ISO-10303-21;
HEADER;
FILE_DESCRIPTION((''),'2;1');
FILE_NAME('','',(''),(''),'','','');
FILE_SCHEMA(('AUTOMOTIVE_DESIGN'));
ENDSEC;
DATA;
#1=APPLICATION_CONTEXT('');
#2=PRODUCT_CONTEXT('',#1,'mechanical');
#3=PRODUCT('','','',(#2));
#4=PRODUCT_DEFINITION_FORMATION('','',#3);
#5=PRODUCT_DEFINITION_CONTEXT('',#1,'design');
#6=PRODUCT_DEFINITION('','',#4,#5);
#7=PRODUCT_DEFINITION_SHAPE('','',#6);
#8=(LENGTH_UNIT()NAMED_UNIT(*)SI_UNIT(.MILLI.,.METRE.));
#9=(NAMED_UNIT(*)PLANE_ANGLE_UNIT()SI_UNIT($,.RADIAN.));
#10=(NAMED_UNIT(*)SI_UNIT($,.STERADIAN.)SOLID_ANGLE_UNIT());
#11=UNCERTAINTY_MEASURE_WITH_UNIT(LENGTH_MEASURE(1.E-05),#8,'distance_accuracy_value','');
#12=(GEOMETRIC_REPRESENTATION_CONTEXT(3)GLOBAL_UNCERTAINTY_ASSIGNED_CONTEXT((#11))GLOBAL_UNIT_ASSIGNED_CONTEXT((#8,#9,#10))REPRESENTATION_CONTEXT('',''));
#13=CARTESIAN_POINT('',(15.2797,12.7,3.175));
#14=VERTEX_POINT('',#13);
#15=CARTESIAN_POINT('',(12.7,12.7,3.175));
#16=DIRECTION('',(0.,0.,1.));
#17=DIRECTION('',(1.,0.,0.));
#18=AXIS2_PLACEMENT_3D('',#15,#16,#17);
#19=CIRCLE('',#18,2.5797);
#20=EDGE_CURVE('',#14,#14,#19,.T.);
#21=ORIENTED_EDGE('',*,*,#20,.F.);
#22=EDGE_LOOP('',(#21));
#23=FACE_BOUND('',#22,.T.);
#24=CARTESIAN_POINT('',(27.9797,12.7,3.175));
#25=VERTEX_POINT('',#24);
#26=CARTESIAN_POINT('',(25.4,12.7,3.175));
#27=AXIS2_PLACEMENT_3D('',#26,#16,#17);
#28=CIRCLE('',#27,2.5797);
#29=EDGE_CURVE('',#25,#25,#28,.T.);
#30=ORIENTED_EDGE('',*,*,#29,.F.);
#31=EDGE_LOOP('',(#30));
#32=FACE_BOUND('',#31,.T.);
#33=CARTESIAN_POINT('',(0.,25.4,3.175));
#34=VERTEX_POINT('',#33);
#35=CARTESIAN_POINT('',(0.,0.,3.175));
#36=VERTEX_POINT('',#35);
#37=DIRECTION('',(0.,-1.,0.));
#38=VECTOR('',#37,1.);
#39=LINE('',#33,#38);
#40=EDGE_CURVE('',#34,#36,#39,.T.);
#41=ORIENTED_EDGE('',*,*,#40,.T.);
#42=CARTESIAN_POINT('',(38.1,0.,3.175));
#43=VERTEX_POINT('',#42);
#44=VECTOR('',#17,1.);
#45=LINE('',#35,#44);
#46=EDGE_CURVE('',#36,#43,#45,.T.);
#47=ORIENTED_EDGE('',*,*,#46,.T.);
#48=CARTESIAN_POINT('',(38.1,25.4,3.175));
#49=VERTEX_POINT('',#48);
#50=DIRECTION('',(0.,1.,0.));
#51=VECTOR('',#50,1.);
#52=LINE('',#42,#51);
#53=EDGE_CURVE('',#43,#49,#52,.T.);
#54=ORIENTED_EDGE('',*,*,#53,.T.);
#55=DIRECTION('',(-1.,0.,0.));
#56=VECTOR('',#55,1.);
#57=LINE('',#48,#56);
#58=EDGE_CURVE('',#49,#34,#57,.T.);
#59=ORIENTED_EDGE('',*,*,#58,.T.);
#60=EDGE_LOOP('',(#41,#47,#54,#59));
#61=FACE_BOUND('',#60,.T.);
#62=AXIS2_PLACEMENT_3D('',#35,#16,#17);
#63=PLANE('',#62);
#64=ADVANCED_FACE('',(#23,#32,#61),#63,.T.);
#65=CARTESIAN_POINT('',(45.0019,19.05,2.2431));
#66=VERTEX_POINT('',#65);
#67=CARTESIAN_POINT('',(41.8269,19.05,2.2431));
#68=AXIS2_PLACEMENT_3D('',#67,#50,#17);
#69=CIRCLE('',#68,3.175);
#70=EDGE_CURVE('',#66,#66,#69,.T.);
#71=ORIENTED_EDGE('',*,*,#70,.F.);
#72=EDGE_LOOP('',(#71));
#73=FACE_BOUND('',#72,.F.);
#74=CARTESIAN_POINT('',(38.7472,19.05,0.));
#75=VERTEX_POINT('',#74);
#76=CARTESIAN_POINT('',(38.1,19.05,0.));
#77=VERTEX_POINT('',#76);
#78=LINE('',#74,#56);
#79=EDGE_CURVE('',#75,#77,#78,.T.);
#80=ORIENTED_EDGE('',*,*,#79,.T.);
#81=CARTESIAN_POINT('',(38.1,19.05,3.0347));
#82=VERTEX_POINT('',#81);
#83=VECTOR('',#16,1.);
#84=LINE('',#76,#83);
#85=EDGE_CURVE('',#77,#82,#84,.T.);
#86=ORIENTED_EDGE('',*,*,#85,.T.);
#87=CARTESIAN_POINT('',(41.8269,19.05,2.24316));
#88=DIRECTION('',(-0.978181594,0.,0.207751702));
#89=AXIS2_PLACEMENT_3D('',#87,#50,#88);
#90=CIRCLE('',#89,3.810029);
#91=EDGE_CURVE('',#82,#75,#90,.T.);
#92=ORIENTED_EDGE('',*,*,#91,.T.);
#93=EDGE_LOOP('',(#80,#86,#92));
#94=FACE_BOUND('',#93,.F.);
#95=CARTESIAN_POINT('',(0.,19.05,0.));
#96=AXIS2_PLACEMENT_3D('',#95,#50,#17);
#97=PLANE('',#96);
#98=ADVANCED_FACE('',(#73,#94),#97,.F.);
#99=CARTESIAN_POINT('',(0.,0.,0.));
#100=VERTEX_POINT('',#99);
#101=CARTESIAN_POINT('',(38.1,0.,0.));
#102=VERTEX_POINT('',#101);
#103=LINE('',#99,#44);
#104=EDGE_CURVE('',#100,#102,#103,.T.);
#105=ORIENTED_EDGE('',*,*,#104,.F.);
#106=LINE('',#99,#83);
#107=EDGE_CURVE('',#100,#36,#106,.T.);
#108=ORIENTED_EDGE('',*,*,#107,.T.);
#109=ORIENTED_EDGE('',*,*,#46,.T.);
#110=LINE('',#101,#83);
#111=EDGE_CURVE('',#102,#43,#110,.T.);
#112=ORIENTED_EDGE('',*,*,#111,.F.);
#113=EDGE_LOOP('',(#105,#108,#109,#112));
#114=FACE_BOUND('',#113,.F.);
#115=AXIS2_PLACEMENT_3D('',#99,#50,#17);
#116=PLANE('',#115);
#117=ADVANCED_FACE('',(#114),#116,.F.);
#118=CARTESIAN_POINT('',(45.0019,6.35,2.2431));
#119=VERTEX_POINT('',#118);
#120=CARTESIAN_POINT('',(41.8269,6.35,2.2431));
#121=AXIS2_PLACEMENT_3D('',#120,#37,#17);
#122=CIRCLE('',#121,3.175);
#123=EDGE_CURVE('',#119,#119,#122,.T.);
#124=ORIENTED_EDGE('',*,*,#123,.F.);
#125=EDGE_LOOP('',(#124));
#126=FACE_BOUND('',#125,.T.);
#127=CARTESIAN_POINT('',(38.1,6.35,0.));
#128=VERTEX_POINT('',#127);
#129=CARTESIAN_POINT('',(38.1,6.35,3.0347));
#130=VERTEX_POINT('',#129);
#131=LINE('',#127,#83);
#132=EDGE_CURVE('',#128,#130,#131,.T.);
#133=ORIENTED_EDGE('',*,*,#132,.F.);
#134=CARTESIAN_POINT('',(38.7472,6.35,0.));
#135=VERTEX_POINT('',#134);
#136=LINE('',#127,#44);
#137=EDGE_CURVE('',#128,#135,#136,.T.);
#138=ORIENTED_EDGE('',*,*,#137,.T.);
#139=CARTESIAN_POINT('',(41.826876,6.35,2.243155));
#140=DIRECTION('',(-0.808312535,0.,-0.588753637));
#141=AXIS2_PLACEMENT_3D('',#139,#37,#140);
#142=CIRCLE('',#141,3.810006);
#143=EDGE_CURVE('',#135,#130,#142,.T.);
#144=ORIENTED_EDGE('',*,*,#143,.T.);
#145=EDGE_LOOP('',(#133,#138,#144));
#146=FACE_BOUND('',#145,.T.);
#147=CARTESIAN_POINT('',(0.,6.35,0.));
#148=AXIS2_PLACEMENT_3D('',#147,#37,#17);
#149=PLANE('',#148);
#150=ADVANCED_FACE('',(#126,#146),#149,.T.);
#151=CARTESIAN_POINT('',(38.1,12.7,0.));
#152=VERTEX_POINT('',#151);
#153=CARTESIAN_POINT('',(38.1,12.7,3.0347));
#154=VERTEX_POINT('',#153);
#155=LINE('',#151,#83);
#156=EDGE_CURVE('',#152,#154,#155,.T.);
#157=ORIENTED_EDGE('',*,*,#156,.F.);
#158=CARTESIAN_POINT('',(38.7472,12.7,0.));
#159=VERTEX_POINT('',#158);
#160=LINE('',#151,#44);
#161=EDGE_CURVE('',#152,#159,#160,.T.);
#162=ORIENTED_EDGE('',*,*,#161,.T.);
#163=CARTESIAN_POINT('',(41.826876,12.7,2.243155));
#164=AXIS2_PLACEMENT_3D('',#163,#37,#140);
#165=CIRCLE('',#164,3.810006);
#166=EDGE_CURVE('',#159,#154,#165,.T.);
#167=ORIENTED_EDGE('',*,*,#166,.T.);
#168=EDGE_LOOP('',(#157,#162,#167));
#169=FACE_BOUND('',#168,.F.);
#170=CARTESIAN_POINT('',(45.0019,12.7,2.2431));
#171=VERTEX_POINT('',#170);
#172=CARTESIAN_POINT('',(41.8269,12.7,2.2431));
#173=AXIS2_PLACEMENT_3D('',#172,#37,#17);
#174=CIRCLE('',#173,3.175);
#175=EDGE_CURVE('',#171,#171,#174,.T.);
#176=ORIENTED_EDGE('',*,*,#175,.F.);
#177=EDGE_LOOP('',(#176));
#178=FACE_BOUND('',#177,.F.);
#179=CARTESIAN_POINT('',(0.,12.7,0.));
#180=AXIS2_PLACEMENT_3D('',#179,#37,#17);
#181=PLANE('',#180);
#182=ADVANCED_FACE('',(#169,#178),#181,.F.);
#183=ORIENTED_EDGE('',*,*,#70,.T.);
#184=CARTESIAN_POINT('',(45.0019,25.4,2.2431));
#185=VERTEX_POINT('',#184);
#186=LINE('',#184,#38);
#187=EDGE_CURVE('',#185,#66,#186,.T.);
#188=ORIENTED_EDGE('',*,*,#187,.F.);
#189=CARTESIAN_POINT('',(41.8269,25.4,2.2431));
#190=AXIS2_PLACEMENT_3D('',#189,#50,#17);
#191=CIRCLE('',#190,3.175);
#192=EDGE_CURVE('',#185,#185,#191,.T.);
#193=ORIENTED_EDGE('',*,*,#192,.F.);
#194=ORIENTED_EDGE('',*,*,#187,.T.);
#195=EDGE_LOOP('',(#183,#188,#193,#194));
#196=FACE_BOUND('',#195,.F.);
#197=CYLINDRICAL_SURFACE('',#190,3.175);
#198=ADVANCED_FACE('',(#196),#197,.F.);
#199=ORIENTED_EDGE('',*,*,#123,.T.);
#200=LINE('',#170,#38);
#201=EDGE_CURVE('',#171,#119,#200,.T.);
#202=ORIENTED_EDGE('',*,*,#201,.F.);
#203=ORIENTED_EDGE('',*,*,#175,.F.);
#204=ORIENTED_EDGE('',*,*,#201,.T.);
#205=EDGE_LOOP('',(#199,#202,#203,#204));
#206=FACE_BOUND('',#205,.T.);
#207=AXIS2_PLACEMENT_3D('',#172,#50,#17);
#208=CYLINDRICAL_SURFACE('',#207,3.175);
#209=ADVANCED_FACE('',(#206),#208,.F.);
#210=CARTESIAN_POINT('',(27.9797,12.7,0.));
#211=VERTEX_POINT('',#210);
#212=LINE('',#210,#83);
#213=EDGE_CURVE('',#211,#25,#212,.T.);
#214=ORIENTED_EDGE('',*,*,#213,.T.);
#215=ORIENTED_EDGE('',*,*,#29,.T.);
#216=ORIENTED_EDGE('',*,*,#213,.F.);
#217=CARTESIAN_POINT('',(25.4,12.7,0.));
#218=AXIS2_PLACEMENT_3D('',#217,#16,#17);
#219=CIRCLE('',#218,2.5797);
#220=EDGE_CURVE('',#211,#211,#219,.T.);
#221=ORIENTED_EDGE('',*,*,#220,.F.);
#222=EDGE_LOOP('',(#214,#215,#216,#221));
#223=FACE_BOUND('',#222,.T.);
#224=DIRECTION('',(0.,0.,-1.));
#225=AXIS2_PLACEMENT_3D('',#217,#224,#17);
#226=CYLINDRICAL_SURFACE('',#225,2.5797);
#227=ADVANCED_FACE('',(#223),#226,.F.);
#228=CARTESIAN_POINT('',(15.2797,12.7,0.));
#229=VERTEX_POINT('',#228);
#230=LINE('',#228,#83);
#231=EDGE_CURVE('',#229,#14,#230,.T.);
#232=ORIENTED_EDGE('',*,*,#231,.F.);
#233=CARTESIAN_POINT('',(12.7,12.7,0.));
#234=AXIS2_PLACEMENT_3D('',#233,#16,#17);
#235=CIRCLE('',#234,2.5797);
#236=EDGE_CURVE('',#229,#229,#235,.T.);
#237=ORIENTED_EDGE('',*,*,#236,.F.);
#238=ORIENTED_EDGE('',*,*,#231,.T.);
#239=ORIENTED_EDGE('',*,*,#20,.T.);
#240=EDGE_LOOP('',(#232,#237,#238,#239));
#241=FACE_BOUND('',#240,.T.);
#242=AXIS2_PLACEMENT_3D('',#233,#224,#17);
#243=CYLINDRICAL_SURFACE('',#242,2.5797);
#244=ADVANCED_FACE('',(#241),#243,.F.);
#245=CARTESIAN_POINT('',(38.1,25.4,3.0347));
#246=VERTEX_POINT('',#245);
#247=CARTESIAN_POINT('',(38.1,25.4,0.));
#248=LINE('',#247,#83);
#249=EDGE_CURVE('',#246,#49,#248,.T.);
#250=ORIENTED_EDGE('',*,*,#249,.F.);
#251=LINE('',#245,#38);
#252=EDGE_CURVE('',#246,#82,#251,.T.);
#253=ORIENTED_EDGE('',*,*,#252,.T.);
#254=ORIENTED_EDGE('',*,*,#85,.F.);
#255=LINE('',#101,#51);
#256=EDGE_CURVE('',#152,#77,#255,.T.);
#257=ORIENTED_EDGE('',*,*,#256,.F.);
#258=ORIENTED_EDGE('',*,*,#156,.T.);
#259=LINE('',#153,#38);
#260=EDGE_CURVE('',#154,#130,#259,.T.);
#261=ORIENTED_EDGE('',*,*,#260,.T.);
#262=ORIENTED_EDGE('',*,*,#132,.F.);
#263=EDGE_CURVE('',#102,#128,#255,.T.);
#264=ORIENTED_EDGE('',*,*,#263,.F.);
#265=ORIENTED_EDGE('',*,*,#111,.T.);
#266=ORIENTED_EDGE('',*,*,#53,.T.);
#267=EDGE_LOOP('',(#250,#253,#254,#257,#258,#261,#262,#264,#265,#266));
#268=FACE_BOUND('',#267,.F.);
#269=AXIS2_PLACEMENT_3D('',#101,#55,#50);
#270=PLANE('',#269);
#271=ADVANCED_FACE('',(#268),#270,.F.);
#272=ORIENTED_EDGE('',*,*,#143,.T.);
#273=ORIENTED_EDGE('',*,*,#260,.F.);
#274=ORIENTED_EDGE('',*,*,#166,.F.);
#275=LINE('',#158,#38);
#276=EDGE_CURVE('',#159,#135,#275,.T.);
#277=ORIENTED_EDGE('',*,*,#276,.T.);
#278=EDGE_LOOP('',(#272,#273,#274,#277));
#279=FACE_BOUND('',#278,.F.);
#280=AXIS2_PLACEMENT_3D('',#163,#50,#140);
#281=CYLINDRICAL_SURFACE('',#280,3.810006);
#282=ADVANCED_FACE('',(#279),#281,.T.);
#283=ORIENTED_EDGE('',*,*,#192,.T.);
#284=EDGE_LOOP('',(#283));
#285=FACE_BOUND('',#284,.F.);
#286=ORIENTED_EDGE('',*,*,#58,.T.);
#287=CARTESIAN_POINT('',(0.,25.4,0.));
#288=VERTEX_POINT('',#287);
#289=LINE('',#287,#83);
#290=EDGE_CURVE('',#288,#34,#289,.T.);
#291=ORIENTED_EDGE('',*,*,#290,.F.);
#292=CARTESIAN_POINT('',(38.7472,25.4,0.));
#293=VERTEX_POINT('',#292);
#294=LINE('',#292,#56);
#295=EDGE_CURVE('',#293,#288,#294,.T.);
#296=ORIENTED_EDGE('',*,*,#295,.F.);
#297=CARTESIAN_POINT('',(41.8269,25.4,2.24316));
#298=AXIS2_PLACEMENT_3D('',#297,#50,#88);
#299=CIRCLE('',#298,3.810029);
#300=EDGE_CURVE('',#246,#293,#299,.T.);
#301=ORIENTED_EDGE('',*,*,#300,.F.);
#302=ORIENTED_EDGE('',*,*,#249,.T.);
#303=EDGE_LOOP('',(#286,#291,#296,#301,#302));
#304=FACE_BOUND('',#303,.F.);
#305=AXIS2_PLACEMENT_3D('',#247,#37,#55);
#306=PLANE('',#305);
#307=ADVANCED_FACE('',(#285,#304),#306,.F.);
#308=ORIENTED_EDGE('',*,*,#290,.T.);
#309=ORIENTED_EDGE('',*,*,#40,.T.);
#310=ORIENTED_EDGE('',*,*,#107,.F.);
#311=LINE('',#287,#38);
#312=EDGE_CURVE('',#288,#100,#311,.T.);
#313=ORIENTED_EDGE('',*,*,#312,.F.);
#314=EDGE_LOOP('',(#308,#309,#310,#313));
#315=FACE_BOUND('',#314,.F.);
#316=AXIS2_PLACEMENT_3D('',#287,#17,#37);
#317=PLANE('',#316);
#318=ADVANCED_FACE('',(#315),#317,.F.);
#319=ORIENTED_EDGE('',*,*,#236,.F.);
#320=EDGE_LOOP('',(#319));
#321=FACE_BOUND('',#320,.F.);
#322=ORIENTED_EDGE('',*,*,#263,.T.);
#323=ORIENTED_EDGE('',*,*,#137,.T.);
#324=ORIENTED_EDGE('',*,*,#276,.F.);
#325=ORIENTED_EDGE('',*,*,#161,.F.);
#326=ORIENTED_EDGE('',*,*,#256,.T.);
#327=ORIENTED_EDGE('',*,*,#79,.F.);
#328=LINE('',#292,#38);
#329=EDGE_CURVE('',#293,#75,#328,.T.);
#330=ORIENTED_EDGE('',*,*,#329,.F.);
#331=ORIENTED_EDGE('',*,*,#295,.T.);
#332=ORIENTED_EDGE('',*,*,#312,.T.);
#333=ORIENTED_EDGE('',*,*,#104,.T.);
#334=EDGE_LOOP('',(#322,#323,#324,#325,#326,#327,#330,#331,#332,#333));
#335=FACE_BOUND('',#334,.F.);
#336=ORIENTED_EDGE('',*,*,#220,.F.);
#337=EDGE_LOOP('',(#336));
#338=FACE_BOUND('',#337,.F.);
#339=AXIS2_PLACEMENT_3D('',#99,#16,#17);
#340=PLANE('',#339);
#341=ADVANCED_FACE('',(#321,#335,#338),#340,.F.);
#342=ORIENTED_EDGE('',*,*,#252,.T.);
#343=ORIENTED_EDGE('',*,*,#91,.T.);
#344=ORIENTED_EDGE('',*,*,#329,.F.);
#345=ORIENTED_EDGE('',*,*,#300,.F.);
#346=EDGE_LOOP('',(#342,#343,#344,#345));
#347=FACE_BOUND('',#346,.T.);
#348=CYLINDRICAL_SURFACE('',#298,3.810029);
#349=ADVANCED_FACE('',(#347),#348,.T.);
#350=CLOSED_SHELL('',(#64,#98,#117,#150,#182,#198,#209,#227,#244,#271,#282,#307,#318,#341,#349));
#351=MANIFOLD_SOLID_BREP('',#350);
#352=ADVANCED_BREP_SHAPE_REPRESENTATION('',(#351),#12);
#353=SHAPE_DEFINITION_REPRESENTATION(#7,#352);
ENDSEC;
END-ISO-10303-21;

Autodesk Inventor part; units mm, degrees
ref_plane "YZ Plane" through (0, 0, 0) normal (1, 0, 0) x (0, 1, 0)
ref_plane "XZ Plane" through (0, 0, 0) normal (0, 1, 0) x (-1, 0, 0)
sketch "Sketch1" plane through (0, 0, 0) normal (0, 0, 1) x (1, 0, 0)
  line L0 (0, 0) -> (38.1, 0)
  line L1 (38.1, 0) -> (38.1, 25.4)
  line L2 (38.1, 25.4) -> (0, 25.4)
  line L3 (0, 25.4) -> (0, 0)
  line L4 (0, 12.7) -> (12.7, 12.7) construction
  line L5 (12.7, 12.7) -> (25.4, 12.7) construction
  circle A0 centre (12.7, 12.7) radius 2.5797
  circle A1 centre (25.4, 12.7) radius 2.5797
  dimension "d0" = 38.1
  dimension "d1" = 25.4
  dimension "d2" = 12.7
  dimension "d3" = 12.7
  dimension "d4" = 5.1594
  dimension "d5" = 5.1594
extrude "Extrusion1" add sketch "Sketch1" along normal blind 3.175
sketch "Sketch2" plane through (0, 25.4, 0) normal (0, 1, 0) x (1, 0, 0)
  circle A0 centre (41.8269, -2.2431) radius 3.175
  arc A1 (38.1, -3.0347) -> (38.7472, 0) centre (41.8269, -2.2431) ccw
  line L0 (0, 0) -> (38.1, 0) projected
  line L1 (38.7472, 0) -> (38.1, 0)
  line L2 (38.1, 0) -> (38.1, -3.175) projected
  line L3 (38.1, 0) -> (38.1, -3.175)
  dimension "d8" = 6.35
  dimension "d9" = 7.62
extrude "Extrusion2" add sketch "Sketch2" against normal blind 6.35
ref_plane "Work Plane1" through (0, 12.7, 0) normal (0, -1, 0) x (1, 0, 0)
sketch "Sketch3" plane through (0, 12.7, 0) normal (0, -1, 0) x (1, 0, 0)
  arc A0 (38.7472, 0) -> (38.1, 3.0347) centre (41.8269, 2.2431) ccw projected
  circle A1 centre (41.8269, 2.2431) radius 3.175 projected
  line L0 (38.1, 0) -> (38.7472, 0) projected
  line L1 (38.1, 0) -> (38.1, 3.0347) projected
  line L2 (38.1, 3.0347) -> (38.1, 0)
  point P0 (0, 0)
extrude "Extrusion3" add sketch "Sketch3" along normal blind 6.35
properties part number "hinge"
